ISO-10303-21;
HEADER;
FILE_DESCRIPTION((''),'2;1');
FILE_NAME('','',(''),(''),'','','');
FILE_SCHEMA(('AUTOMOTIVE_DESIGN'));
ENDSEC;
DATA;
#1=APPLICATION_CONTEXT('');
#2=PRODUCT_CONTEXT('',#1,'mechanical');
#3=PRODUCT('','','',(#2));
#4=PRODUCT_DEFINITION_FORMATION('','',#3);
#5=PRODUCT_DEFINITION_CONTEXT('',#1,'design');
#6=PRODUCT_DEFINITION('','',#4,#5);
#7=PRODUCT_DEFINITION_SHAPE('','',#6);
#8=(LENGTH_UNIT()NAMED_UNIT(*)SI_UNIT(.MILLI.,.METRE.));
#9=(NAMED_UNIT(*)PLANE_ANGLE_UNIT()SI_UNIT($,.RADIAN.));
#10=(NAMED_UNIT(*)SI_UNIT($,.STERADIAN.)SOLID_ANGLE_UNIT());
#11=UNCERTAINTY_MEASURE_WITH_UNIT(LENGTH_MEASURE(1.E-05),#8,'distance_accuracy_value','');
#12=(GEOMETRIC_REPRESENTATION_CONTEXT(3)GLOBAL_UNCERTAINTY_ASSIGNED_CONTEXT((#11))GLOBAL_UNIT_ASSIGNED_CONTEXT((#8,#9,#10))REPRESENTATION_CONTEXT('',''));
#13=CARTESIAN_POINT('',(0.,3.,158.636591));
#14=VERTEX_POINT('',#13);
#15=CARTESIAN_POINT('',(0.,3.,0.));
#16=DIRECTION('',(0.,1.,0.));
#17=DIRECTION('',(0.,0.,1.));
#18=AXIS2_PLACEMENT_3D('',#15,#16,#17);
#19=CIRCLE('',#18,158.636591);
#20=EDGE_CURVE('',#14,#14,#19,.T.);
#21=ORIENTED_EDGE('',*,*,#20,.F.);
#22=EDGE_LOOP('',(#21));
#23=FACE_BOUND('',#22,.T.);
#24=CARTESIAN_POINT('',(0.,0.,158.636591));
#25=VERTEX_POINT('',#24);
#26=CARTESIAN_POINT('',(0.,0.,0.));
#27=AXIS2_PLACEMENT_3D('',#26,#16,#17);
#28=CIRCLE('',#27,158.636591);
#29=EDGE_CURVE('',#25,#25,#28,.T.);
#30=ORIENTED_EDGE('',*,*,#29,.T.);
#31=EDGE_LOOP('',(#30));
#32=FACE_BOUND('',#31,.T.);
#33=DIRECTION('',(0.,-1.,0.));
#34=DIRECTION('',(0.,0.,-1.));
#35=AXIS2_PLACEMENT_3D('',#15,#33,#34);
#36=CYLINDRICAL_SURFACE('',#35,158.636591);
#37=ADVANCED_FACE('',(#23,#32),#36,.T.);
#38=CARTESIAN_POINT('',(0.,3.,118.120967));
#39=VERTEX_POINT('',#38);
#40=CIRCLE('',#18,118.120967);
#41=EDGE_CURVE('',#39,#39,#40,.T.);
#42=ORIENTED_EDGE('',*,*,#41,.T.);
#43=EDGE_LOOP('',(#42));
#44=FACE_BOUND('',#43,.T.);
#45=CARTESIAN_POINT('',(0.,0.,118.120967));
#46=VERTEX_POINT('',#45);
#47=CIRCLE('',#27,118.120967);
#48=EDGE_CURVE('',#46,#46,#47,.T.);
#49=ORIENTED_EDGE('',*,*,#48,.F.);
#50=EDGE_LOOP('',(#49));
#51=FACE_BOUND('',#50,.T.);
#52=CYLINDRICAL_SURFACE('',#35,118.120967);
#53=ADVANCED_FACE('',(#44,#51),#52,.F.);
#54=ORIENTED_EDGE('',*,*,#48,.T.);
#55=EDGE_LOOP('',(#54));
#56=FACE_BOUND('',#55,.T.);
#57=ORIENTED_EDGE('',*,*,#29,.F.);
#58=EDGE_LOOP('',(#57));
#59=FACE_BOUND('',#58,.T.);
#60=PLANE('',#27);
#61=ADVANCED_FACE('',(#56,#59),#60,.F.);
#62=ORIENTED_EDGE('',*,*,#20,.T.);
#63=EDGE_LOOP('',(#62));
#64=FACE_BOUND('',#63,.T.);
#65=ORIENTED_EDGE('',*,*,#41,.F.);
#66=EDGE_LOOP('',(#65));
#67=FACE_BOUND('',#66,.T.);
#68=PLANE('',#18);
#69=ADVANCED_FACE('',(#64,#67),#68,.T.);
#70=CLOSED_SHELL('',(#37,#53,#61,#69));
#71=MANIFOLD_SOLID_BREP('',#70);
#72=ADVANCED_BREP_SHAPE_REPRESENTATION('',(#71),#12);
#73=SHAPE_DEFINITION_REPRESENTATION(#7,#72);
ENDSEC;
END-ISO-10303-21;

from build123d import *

# Parameters (mm, degrees)
SKETCH1_R           = 158.636590549
SKETCH1_R_2         = 118.120967126
BOSS_EXTRUDE1_DEPTH = 3


with BuildPart() as part:
    # Sketch1 → Boss-Extrude1 (new body)
    with BuildSketch(Plane(origin=(0, 0, 0), x_dir=(1, 0, 0), z_dir=(0, 1, 0))):
        with Locations(Location((0, 0, 0), (0, 0, 270))):
            Circle(SKETCH1_R)
        with Locations(Location((0, 0, 0), (0, 0, 270))):
            Circle(SKETCH1_R_2, mode=Mode.SUBTRACT)
    extrude(amount=BOSS_EXTRUDE1_DEPTH)


solid = part.part
